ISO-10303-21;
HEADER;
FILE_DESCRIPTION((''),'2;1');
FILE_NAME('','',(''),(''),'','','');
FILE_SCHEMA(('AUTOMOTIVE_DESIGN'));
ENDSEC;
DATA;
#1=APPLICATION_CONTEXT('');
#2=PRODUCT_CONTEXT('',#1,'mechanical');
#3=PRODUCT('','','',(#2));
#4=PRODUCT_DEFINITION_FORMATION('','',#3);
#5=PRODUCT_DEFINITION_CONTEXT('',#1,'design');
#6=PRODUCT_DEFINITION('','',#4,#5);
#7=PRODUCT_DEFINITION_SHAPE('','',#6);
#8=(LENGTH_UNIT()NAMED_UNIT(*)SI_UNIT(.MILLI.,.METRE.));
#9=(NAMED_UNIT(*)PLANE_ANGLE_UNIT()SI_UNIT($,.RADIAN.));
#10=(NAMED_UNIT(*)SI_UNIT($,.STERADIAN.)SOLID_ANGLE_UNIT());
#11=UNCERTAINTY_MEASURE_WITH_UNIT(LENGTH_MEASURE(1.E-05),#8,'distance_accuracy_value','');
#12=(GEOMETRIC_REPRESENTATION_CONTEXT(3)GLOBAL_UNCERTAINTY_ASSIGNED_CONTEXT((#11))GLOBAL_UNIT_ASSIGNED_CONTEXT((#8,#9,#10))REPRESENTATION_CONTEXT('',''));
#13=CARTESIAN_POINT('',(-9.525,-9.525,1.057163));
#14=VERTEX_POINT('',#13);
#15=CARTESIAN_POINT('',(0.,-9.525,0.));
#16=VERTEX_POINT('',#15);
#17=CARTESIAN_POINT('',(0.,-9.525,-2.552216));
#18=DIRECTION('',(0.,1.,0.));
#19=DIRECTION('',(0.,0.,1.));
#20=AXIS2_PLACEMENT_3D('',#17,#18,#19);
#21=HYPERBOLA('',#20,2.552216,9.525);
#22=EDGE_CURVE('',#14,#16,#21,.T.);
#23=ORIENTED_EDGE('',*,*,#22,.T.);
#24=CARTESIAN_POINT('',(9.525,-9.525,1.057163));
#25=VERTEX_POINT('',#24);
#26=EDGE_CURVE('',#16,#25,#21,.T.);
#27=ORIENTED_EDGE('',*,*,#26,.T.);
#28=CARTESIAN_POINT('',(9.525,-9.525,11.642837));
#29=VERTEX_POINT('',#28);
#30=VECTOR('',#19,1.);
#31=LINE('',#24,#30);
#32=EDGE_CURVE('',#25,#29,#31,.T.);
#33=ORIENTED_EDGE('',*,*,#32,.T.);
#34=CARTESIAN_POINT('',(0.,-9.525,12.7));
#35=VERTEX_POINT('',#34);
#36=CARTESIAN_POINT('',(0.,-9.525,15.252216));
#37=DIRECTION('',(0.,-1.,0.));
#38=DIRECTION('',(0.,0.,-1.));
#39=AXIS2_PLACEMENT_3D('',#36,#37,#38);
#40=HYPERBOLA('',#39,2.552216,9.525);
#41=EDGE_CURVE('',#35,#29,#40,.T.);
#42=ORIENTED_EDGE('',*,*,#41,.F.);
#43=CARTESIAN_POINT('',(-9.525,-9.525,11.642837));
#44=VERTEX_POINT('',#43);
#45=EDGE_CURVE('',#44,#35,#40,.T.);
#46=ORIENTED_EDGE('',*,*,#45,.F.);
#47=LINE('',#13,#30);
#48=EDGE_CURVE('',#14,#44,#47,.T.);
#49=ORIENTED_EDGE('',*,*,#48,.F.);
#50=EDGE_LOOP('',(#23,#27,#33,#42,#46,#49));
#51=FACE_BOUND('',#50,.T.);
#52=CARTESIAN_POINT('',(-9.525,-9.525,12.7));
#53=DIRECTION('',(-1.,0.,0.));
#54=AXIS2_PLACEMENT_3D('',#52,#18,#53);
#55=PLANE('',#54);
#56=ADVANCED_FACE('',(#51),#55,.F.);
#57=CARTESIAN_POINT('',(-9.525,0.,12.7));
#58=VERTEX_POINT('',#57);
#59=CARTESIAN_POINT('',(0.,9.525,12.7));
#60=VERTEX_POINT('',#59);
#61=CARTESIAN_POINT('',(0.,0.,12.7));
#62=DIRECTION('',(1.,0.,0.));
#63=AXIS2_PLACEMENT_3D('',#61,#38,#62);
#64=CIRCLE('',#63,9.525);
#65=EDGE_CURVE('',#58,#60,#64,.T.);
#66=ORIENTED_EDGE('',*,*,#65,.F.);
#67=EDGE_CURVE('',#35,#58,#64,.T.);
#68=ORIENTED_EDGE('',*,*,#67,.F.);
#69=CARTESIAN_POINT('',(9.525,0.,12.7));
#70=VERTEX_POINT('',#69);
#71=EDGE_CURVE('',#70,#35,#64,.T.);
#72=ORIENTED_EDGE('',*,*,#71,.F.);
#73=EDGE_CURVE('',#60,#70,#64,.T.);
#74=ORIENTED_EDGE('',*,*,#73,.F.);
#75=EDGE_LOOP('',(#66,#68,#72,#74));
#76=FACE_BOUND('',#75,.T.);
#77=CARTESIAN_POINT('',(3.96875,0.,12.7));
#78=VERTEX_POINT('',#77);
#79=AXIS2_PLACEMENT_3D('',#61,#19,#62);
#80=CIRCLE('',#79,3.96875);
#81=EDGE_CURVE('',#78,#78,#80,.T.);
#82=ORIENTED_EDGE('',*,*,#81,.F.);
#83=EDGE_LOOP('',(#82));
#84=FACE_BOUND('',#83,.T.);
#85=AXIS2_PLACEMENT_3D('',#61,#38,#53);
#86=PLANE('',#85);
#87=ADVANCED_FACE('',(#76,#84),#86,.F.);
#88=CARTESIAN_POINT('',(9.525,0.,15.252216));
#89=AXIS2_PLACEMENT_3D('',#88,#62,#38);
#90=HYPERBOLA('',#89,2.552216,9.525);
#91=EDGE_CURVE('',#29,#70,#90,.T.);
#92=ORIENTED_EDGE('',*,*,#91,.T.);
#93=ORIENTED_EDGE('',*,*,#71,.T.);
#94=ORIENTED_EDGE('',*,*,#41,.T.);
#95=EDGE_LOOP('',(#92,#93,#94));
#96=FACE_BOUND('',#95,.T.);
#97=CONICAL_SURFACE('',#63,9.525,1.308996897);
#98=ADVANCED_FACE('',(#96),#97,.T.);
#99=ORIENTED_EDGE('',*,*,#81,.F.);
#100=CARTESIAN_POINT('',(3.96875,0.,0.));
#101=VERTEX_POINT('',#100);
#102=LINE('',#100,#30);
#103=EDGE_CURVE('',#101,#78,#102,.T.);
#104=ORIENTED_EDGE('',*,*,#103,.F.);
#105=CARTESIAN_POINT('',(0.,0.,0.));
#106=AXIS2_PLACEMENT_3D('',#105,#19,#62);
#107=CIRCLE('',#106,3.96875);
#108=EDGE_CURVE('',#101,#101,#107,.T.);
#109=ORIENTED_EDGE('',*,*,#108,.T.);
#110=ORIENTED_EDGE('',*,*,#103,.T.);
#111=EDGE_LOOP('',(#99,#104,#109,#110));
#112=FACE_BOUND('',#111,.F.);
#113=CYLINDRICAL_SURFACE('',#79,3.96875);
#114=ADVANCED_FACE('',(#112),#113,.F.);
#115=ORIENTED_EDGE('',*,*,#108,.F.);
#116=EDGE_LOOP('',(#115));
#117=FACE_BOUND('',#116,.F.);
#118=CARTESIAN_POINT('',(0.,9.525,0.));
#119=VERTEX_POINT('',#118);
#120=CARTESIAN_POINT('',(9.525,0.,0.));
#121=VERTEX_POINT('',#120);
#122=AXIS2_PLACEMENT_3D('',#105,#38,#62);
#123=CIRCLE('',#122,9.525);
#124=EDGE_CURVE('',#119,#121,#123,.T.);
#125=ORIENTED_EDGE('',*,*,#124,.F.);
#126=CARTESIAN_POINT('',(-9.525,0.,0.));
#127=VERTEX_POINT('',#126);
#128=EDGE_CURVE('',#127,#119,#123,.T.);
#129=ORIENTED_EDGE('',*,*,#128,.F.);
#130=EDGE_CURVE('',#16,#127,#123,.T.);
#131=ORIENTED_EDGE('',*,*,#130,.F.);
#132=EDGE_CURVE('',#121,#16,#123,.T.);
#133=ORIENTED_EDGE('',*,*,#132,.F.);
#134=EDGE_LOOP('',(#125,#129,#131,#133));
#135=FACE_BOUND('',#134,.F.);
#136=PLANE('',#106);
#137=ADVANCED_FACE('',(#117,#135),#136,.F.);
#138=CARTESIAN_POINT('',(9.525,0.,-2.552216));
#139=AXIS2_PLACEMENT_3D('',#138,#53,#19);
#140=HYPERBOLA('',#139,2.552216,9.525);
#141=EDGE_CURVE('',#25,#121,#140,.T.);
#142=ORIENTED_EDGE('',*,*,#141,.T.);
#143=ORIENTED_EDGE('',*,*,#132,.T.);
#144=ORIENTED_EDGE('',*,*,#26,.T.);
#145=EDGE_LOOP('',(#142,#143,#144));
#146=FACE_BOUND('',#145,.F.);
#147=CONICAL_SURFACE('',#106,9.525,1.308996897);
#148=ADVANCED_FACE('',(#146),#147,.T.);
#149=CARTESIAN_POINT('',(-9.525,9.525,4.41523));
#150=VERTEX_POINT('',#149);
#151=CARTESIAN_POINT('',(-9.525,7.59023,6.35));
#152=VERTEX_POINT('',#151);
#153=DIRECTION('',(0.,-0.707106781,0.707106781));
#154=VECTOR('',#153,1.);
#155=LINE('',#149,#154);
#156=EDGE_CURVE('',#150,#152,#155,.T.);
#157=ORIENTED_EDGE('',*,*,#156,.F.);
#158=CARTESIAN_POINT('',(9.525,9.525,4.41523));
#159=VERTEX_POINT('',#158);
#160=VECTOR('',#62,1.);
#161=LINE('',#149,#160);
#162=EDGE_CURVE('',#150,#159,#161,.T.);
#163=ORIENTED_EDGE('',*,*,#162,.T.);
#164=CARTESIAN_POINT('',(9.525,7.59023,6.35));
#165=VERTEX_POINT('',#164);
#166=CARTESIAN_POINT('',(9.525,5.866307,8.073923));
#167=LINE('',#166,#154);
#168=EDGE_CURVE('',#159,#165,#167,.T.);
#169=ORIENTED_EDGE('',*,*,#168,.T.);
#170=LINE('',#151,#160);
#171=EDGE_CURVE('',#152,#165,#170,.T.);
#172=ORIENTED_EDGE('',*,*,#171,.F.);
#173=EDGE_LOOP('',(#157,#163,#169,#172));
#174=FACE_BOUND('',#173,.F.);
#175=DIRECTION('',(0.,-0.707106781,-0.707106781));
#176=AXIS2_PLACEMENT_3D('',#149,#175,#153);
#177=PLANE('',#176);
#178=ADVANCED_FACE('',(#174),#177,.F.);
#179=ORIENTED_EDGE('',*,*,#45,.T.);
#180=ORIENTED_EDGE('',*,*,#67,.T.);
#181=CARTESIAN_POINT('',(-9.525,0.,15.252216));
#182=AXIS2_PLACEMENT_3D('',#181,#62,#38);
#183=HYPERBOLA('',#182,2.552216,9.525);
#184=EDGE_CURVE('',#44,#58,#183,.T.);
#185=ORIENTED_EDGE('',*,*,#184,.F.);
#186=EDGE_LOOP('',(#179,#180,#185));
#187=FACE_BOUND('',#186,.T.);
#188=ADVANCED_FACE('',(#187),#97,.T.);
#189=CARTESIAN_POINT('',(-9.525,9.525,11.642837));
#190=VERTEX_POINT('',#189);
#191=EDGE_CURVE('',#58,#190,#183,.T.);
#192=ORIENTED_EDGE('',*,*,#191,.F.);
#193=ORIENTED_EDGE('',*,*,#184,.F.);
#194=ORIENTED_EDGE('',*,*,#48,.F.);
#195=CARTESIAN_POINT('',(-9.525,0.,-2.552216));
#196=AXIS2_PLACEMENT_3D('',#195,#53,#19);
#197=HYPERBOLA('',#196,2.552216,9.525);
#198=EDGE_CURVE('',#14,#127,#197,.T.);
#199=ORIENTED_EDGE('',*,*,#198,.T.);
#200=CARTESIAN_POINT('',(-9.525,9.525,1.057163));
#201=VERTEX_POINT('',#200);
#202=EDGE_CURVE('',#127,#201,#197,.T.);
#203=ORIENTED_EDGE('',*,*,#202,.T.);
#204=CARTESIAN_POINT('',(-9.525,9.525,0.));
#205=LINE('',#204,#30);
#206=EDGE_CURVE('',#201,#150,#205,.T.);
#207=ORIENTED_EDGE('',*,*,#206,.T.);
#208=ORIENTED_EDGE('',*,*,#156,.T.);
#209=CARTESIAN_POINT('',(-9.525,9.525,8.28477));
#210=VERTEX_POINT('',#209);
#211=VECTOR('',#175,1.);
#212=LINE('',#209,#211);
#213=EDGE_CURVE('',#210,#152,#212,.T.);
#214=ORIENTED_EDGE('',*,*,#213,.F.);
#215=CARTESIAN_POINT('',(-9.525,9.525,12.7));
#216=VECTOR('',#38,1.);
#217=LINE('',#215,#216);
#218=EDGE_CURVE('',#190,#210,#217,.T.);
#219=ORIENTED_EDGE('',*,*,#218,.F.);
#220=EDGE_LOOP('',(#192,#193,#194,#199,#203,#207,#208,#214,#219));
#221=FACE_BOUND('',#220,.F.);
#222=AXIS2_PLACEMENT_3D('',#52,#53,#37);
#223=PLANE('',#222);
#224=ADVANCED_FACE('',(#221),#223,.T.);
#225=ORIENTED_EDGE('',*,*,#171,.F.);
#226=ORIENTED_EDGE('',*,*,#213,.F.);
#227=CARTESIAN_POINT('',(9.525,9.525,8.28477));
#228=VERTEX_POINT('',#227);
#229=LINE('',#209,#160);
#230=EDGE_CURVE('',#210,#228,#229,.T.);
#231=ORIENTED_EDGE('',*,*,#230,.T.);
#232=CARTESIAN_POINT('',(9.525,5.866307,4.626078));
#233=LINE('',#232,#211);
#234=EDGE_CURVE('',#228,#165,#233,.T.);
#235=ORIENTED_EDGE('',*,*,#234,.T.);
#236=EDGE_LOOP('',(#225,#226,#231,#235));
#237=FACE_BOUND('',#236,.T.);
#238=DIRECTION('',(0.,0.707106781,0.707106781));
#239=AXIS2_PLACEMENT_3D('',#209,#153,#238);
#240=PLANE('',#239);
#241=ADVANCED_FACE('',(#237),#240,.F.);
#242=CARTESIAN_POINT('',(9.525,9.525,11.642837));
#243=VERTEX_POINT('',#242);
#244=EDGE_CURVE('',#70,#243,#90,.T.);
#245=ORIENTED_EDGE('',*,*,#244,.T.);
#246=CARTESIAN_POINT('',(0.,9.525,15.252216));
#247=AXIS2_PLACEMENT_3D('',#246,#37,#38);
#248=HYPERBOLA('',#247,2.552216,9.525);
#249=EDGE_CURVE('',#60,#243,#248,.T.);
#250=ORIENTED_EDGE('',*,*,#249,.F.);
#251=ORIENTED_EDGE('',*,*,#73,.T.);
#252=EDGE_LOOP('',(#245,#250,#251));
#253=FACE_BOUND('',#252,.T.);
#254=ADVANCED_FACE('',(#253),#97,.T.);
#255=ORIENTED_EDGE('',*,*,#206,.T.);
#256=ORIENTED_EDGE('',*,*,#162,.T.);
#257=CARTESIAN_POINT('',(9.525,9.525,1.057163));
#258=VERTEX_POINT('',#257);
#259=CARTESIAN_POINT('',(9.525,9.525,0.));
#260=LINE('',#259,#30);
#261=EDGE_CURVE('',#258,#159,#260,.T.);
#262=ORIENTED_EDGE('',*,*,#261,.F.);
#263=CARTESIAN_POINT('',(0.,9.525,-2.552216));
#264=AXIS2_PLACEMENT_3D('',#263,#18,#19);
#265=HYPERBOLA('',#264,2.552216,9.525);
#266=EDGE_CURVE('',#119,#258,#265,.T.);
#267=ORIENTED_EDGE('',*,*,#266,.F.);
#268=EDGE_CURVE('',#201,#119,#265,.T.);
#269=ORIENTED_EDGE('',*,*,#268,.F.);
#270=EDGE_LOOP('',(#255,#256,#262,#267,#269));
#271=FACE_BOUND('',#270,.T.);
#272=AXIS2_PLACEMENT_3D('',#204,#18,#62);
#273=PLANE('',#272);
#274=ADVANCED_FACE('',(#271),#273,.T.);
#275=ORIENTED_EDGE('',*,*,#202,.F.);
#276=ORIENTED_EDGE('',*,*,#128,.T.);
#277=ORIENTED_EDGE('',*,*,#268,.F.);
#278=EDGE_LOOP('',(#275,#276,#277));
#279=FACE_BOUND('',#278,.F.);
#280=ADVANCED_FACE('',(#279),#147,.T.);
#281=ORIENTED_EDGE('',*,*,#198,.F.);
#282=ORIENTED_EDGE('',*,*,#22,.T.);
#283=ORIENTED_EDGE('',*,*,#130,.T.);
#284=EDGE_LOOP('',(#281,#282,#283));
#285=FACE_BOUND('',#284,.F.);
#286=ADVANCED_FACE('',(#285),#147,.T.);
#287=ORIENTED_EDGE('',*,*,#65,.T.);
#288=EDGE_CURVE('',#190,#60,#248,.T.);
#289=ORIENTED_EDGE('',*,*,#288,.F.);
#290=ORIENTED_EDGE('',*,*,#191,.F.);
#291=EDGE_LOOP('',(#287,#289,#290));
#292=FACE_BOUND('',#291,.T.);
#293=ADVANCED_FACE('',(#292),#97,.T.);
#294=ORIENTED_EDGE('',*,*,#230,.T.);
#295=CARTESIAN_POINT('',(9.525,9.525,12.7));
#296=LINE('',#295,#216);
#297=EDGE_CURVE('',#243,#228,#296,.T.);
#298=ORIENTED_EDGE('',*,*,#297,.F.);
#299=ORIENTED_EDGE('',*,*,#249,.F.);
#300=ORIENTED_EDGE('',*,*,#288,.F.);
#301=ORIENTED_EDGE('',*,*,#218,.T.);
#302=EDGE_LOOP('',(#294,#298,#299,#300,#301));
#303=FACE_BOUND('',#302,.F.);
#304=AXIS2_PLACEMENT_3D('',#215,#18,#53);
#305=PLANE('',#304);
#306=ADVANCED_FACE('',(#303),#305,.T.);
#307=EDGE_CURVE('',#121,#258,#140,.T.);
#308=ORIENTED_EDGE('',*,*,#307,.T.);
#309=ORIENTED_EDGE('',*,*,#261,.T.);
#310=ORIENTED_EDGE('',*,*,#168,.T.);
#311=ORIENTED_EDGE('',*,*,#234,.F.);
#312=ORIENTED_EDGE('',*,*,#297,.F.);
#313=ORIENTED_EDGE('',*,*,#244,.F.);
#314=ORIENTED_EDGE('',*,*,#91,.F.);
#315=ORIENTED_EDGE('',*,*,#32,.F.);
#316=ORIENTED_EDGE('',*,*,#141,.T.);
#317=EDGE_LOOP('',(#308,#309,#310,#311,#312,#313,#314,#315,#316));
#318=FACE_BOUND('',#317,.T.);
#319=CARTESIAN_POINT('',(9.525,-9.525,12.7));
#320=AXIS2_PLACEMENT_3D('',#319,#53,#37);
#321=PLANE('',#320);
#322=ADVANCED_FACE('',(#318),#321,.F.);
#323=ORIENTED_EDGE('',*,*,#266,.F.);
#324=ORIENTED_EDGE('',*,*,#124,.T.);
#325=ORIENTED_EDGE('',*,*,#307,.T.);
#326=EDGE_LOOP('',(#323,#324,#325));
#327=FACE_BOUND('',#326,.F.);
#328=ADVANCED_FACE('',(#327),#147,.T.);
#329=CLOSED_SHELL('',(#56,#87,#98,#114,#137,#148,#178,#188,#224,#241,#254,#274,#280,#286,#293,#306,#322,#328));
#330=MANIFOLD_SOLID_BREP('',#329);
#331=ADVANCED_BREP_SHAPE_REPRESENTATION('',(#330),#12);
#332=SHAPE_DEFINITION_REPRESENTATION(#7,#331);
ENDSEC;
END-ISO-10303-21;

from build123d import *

# Parameters (mm, degrees)
F0_W     = 19.05
F0_H     = 19.05
F0_R     = 3.96875
F1_DEPTH = 6.35
F6_DEPTH = 19.051


with BuildPart() as f1:
    # F0 (on Top) → F1 (new body)
    with BuildSketch(Plane.XY):
        Rectangle(F0_W, F0_H)
        Circle(F0_R, mode=Mode.SUBTRACT)
    extrude(amount=F1_DEPTH)

    # F4: sweep along a path in F2
    with BuildLine(Plane(origin=(0, 0, 0), x_dir=(1, 0, 0), z_dir=(0, 0, -1))) as f4_path:
        CenterArc((0, 0), 9.525, 0, 360)
    # F3 (on Right) → F4 (sweep, cut)
    with BuildSketch(Plane.YZ):
        Polygon((-20.809421, 0), (-9.525, 0), (-20.809421, 3.023652), align=None)
    sweep(path=f4_path.line, mode=Mode.SUBTRACT)

    # F5 (on face) → F6 (cut, through all)
    with BuildSketch(Plane(origin=(-9.525, 0, 0), x_dir=(0, -1, 0), z_dir=(-1, 0, 0))):
        Polygon((-7.59023, 6.35), (-9.525, 6.35), (-9.525, 4.41523), align=None)
    extrude(amount=-F6_DEPTH, mode=Mode.SUBTRACT)

    # F7: F1 across face


with BuildPart() as f1_1:
    add(f1.part)
    add(f1.part.mirror(Plane(origin=(0, -1.140472, 6.35), x_dir=(1, 0, 0), z_dir=(0, 0, 1))))


solid = f1_1.part
